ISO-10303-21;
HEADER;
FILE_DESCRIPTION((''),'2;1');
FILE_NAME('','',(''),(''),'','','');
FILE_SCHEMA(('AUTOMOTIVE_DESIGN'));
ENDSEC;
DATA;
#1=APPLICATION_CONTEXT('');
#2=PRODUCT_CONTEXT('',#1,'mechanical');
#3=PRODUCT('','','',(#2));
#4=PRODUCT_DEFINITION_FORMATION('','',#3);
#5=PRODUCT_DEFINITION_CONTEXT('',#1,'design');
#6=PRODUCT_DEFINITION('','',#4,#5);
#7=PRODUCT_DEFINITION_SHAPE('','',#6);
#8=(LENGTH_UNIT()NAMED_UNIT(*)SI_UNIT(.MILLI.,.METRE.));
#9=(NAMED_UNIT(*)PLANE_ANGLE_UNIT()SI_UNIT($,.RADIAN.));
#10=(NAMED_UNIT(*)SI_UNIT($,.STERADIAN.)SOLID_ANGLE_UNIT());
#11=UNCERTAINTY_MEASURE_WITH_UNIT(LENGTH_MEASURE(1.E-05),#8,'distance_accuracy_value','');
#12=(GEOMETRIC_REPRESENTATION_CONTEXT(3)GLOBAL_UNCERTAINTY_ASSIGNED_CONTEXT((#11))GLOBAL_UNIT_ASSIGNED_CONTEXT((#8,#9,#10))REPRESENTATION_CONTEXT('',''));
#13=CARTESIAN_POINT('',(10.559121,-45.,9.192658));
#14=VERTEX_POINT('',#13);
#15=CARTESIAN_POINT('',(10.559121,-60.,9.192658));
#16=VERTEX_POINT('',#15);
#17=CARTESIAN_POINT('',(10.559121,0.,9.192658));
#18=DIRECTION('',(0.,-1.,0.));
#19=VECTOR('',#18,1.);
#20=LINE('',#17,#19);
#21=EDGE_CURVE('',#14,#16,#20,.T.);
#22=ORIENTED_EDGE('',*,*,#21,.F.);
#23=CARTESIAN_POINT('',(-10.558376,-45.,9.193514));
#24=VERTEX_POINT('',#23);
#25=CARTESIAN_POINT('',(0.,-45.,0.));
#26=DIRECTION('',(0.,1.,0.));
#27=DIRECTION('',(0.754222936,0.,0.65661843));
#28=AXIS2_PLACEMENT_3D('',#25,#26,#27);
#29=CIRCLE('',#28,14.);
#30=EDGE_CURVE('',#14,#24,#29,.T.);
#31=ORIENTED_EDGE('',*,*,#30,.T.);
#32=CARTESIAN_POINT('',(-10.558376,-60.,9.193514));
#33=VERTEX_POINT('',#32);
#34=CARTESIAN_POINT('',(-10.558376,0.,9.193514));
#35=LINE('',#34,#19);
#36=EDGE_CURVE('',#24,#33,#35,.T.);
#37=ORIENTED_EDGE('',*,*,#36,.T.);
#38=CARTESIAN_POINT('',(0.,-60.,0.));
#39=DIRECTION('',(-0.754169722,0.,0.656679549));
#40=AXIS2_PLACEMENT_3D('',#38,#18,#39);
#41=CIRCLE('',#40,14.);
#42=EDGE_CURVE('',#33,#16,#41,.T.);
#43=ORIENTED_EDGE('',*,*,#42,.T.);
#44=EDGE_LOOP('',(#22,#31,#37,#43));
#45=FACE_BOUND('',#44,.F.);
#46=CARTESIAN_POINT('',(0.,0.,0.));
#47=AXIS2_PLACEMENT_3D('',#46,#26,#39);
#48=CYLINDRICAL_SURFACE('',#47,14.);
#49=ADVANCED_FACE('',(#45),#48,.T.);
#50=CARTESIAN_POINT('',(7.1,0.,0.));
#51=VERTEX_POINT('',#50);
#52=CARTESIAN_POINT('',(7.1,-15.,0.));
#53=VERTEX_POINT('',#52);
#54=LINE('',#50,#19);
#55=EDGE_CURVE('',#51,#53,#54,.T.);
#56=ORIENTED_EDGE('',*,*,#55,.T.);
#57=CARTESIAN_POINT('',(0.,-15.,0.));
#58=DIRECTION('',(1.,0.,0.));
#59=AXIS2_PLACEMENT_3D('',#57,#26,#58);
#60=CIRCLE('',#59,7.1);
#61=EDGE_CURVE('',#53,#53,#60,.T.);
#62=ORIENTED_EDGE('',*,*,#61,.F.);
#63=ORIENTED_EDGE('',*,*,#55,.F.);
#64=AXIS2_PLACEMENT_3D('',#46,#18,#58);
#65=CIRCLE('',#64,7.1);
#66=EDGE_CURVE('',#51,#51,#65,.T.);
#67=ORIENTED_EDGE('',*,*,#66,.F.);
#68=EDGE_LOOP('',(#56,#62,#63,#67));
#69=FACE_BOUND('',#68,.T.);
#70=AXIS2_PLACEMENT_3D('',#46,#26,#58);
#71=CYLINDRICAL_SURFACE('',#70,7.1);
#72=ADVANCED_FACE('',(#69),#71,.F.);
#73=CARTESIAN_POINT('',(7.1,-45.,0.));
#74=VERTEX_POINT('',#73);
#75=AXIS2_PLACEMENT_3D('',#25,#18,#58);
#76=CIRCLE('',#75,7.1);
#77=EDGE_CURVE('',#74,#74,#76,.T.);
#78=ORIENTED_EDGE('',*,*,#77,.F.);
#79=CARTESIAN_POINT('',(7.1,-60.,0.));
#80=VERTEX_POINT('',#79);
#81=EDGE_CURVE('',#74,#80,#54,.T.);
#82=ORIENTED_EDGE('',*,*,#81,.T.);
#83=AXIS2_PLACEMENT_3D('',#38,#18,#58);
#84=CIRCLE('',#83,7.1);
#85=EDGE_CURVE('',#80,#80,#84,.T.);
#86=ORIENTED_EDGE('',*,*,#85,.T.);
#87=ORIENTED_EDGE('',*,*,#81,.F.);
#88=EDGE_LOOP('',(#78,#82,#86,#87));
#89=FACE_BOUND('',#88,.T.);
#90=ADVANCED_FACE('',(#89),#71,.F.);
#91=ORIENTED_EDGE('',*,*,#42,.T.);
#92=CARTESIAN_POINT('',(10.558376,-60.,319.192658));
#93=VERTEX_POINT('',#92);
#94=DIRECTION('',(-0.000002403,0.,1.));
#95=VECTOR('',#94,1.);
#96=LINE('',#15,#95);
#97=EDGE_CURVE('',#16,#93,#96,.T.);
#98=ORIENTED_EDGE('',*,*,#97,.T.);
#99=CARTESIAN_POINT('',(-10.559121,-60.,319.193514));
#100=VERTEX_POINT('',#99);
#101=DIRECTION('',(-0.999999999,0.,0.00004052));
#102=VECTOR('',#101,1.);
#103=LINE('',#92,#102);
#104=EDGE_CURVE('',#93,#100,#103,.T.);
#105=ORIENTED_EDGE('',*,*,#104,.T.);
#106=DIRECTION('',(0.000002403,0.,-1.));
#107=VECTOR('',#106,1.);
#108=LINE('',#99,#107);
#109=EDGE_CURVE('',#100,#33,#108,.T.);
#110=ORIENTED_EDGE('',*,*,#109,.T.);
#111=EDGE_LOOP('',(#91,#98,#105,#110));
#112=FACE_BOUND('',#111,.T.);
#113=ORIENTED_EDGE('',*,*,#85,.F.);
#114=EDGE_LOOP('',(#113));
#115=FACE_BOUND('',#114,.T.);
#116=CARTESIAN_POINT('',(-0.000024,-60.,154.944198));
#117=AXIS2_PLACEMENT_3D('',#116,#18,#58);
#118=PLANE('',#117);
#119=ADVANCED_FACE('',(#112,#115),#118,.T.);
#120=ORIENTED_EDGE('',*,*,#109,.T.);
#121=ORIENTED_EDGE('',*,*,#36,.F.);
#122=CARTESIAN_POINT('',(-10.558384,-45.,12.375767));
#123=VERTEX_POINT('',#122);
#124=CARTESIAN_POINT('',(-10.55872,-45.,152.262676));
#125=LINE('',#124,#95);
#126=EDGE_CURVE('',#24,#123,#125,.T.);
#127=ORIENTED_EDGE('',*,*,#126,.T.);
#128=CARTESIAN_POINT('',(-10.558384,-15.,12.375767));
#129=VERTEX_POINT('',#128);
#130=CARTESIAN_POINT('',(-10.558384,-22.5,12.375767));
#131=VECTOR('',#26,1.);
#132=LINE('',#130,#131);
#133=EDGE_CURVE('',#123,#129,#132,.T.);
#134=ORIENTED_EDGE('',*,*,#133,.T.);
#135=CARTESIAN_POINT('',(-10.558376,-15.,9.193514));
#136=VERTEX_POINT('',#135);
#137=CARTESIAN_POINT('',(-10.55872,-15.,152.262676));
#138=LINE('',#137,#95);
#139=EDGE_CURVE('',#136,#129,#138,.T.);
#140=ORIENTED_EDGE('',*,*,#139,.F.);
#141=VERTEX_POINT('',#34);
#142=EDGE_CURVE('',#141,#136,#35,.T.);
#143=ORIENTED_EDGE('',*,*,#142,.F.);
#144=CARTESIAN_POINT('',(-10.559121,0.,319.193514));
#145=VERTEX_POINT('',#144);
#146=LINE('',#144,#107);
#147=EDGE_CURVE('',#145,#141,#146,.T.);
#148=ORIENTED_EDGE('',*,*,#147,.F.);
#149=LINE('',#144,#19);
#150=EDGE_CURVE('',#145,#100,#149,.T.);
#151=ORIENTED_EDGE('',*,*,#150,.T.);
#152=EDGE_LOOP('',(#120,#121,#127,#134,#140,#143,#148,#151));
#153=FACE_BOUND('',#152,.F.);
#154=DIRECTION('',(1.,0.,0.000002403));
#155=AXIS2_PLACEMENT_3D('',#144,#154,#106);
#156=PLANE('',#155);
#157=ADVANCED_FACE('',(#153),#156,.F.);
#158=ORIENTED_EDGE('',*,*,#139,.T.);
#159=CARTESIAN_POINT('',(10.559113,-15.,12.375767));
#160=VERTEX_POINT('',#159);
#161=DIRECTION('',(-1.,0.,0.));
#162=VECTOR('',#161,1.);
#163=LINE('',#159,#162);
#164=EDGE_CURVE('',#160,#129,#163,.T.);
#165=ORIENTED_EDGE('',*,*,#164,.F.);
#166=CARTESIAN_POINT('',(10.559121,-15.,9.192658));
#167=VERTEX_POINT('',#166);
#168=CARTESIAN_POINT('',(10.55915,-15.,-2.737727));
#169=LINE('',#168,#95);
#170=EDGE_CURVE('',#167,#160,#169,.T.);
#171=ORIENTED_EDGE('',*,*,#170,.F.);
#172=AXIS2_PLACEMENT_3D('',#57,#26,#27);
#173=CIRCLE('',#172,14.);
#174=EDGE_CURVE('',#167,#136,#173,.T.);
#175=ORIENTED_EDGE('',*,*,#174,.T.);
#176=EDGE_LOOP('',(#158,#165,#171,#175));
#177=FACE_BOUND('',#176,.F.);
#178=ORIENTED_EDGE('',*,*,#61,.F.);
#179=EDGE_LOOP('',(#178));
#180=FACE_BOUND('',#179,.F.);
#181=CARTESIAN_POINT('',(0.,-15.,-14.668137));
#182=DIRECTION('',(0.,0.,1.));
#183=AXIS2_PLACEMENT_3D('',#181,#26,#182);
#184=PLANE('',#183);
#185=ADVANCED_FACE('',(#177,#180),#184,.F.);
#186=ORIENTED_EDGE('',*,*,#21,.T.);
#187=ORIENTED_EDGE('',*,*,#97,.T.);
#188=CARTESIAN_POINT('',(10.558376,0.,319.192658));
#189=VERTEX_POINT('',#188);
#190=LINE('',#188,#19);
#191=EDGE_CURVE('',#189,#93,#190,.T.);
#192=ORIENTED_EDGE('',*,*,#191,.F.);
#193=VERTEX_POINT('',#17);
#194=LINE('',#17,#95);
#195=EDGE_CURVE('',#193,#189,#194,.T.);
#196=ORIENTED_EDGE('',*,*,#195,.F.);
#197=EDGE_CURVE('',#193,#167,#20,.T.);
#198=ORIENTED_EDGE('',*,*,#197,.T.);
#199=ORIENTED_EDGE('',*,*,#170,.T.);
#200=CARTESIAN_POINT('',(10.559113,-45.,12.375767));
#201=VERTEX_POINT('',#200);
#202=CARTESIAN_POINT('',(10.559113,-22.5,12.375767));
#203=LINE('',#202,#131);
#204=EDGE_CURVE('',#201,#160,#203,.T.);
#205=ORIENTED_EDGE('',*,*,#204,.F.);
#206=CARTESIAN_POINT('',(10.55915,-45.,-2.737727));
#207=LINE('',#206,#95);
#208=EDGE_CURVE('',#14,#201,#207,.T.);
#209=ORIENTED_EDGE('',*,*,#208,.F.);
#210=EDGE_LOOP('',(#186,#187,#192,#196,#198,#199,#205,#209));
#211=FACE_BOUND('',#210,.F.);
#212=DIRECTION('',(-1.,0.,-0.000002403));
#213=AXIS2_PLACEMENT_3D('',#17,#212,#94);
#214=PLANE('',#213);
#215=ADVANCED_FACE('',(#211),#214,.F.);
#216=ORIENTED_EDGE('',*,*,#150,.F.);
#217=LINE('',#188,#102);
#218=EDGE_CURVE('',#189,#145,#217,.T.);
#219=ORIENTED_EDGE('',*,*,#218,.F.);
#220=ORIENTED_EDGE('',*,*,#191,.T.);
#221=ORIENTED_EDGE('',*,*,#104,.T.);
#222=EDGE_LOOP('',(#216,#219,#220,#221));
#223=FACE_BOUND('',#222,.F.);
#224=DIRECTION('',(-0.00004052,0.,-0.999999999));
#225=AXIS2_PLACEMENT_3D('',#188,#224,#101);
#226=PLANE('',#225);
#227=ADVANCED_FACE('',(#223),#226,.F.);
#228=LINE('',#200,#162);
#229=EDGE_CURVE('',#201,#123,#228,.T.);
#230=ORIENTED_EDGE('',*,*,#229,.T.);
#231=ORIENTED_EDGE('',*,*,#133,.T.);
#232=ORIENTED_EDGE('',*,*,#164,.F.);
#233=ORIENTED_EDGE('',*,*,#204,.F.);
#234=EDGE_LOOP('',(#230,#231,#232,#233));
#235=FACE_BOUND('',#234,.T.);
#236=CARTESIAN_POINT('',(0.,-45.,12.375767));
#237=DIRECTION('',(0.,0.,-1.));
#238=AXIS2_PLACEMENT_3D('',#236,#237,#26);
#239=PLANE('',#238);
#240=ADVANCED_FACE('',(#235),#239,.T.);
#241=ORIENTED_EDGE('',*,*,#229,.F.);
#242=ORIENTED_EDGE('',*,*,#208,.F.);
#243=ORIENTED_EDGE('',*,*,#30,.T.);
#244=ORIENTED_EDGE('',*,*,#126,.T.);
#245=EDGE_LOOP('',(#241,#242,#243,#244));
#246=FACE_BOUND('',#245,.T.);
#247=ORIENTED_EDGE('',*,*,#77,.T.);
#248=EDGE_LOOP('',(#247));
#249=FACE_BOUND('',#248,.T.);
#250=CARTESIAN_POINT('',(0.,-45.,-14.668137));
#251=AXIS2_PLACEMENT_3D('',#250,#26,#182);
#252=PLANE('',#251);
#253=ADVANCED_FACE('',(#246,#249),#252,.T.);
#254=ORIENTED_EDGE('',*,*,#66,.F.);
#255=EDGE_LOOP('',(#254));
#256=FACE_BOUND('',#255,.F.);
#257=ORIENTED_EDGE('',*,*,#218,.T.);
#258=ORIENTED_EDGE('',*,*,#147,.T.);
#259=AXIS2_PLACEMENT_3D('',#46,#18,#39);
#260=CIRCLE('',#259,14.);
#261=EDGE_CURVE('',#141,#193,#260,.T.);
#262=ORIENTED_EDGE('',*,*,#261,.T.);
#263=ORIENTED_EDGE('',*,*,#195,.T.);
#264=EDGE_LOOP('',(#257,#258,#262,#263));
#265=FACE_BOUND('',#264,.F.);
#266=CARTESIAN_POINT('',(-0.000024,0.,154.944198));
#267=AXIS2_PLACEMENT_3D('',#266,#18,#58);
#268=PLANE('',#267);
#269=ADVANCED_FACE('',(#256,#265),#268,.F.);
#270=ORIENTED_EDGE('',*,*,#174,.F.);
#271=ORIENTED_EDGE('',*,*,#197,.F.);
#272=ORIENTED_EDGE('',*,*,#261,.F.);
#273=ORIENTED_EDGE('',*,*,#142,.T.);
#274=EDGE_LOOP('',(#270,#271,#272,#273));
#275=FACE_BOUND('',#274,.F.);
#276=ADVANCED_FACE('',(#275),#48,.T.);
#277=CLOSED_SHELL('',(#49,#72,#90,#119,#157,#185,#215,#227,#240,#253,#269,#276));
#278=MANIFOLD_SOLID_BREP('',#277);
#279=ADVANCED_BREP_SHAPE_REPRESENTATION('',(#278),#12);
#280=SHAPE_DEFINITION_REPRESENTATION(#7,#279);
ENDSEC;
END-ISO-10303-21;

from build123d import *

# Parameters (mm, degrees)
F0_R          = 7.1
F1_DEPTH      = 60
F2_W          = 30
F2_H          = 27.0439040799
F3_DEPTH      = 25
F3_DEPTH_BACK = 25


with BuildPart() as f1:
    # F0 (on Front) → F1 (new body)
    with BuildSketch(Plane.XZ):
        with BuildLine():
            Line((-10.5591211108, 319.1935136895), (-10.5583761074, 9.1935136904))
            ThreePointArc((-10.5583761074, 9.1935136904), (-0.0005672768, -13.9999999885), (10.5591211108, 9.1926580142))
            Line((10.5591211108, 9.1926580142), (10.5583761074, 319.1926580133))
            Line((10.5583761074, 319.1926580133), (-10.5591211108, 319.1935136895))
        make_face()
        Circle(F0_R, mode=Mode.SUBTRACT)
    extrude(amount=F1_DEPTH)

    # F2 (on Right) → F3 (cut, two sides)
    with BuildSketch(Plane.YZ) as f3_sk:
        with Locations((-30, -1.146184979)):
            Rectangle(F2_W, F2_H)
    extrude(amount=-F3_DEPTH, mode=Mode.SUBTRACT)
    extrude(f3_sk.sketch, amount=F3_DEPTH_BACK, mode=Mode.SUBTRACT)


solid = f1.part
